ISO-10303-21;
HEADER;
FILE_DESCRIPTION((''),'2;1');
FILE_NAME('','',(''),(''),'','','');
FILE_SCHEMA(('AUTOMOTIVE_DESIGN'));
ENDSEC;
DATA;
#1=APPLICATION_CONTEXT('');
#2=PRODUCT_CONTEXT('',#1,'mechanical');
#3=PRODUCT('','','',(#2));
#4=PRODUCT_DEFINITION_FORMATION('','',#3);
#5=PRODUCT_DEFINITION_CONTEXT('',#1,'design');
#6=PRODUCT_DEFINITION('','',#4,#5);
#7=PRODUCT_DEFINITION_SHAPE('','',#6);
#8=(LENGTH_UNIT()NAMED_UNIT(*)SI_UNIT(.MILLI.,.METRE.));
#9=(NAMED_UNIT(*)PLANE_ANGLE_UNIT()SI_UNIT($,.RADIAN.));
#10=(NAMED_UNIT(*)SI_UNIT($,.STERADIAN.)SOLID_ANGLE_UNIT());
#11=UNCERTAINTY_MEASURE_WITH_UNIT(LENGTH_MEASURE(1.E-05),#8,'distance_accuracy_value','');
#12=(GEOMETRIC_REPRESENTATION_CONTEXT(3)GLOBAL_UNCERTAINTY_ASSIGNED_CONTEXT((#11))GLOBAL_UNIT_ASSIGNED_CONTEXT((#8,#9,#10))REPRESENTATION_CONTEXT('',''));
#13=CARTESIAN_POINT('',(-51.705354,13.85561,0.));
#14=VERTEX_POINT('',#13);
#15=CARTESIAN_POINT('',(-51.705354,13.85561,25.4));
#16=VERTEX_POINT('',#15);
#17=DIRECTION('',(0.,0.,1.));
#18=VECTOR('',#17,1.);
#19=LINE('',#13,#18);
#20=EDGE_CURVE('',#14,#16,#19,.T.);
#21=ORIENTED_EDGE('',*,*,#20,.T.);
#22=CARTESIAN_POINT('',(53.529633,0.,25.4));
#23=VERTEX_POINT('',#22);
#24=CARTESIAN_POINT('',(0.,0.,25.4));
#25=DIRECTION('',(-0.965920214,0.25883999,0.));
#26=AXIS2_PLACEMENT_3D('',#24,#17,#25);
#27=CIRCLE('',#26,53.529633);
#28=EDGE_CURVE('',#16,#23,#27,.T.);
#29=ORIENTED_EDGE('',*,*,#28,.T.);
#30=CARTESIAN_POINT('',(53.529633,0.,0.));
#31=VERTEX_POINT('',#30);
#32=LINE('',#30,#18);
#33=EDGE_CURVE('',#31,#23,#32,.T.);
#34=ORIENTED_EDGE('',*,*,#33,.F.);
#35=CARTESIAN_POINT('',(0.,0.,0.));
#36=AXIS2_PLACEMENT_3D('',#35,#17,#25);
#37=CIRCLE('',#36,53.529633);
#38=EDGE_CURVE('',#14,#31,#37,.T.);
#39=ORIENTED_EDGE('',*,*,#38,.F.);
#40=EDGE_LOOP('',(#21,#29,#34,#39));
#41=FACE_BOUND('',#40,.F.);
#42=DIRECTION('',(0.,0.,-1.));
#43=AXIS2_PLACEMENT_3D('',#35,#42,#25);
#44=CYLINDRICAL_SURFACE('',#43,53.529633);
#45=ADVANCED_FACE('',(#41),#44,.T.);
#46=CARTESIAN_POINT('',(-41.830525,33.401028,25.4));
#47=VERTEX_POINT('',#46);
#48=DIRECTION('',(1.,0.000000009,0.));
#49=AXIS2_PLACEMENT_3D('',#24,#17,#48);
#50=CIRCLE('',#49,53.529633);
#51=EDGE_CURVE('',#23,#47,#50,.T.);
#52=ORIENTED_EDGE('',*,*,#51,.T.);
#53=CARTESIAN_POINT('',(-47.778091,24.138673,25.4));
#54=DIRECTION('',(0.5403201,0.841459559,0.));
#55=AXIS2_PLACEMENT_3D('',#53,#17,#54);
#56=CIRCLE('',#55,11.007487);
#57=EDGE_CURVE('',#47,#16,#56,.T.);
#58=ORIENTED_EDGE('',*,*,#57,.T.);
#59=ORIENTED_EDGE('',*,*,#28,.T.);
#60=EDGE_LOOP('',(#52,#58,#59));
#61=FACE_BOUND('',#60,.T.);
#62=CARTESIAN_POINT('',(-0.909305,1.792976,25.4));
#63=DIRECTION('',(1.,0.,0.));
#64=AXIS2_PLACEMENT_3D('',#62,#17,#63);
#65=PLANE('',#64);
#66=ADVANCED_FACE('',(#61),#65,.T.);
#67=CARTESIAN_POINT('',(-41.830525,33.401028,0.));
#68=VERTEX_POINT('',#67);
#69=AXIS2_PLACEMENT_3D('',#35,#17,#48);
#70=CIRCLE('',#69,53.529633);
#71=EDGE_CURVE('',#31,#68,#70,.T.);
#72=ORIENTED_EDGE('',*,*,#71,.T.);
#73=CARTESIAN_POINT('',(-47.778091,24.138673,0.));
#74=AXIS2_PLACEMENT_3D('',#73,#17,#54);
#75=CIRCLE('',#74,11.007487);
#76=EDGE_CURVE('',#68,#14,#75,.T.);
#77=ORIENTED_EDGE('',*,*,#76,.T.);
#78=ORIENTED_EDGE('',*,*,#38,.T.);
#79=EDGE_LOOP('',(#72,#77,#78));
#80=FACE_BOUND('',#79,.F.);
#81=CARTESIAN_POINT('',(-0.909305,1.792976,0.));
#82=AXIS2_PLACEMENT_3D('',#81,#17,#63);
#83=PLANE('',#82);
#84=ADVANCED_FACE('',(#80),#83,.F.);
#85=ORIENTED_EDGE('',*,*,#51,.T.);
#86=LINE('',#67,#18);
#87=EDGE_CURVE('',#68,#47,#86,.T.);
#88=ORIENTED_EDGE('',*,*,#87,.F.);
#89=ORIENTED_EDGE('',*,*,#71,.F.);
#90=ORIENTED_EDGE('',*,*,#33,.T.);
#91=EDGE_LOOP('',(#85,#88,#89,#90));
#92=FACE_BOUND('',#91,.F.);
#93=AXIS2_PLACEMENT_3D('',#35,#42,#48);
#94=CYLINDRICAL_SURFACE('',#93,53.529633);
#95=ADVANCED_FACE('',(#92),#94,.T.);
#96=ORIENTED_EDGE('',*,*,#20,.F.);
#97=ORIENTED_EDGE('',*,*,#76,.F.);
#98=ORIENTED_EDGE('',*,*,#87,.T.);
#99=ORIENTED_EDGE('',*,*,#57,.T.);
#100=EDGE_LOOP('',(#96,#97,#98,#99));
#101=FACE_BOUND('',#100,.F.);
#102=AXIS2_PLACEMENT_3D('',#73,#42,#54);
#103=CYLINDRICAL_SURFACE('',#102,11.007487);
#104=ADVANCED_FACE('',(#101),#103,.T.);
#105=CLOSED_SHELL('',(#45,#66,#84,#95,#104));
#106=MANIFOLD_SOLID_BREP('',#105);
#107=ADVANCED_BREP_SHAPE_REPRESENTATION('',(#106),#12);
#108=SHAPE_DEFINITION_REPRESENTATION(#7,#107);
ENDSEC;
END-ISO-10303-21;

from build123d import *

# Parameters (mm, degrees)
F1_DEPTH = 25.4


with BuildPart() as f1:
    # F0 (on Top) → F1 (new body)
    with BuildSketch(Plane.XY):
        with BuildLine():
            ThreePointArc((-51.705354, 13.85561), (-6.987595, -53.071603), (53.529633, 0))
            ThreePointArc((53.529633, 0), (17.695323, 50.520264), (-41.830525, 33.401028))
            ThreePointArc((-41.830525, 33.401028), (-38.118057, 29.415841), (-36.770605, 24.138673))
            ThreePointArc((-36.770605, 24.138673), (-41.535677, 15.072415), (-51.705354, 13.85561))
        make_face()
        with BuildLine():
            ThreePointArc((-51.705354, 13.85561), (-47.778091, 24.138673), (-41.830525, 33.401028))
            ThreePointArc((-41.830525, 33.401028), (-57.602869, 29.102393), (-51.705354, 13.85561))
        make_face()
        with BuildLine():
            ThreePointArc((-36.770605, 24.138673), (-38.118057, 29.415841), (-41.830525, 33.401028))
            ThreePointArc((-41.830525, 33.401028), (-47.778091, 24.138673), (-51.705354, 13.85561))
            ThreePointArc((-51.705354, 13.85561), (-41.535677, 15.072415), (-36.770605, 24.138673))
        make_face()
    extrude(amount=F1_DEPTH)


solid = f1.part
